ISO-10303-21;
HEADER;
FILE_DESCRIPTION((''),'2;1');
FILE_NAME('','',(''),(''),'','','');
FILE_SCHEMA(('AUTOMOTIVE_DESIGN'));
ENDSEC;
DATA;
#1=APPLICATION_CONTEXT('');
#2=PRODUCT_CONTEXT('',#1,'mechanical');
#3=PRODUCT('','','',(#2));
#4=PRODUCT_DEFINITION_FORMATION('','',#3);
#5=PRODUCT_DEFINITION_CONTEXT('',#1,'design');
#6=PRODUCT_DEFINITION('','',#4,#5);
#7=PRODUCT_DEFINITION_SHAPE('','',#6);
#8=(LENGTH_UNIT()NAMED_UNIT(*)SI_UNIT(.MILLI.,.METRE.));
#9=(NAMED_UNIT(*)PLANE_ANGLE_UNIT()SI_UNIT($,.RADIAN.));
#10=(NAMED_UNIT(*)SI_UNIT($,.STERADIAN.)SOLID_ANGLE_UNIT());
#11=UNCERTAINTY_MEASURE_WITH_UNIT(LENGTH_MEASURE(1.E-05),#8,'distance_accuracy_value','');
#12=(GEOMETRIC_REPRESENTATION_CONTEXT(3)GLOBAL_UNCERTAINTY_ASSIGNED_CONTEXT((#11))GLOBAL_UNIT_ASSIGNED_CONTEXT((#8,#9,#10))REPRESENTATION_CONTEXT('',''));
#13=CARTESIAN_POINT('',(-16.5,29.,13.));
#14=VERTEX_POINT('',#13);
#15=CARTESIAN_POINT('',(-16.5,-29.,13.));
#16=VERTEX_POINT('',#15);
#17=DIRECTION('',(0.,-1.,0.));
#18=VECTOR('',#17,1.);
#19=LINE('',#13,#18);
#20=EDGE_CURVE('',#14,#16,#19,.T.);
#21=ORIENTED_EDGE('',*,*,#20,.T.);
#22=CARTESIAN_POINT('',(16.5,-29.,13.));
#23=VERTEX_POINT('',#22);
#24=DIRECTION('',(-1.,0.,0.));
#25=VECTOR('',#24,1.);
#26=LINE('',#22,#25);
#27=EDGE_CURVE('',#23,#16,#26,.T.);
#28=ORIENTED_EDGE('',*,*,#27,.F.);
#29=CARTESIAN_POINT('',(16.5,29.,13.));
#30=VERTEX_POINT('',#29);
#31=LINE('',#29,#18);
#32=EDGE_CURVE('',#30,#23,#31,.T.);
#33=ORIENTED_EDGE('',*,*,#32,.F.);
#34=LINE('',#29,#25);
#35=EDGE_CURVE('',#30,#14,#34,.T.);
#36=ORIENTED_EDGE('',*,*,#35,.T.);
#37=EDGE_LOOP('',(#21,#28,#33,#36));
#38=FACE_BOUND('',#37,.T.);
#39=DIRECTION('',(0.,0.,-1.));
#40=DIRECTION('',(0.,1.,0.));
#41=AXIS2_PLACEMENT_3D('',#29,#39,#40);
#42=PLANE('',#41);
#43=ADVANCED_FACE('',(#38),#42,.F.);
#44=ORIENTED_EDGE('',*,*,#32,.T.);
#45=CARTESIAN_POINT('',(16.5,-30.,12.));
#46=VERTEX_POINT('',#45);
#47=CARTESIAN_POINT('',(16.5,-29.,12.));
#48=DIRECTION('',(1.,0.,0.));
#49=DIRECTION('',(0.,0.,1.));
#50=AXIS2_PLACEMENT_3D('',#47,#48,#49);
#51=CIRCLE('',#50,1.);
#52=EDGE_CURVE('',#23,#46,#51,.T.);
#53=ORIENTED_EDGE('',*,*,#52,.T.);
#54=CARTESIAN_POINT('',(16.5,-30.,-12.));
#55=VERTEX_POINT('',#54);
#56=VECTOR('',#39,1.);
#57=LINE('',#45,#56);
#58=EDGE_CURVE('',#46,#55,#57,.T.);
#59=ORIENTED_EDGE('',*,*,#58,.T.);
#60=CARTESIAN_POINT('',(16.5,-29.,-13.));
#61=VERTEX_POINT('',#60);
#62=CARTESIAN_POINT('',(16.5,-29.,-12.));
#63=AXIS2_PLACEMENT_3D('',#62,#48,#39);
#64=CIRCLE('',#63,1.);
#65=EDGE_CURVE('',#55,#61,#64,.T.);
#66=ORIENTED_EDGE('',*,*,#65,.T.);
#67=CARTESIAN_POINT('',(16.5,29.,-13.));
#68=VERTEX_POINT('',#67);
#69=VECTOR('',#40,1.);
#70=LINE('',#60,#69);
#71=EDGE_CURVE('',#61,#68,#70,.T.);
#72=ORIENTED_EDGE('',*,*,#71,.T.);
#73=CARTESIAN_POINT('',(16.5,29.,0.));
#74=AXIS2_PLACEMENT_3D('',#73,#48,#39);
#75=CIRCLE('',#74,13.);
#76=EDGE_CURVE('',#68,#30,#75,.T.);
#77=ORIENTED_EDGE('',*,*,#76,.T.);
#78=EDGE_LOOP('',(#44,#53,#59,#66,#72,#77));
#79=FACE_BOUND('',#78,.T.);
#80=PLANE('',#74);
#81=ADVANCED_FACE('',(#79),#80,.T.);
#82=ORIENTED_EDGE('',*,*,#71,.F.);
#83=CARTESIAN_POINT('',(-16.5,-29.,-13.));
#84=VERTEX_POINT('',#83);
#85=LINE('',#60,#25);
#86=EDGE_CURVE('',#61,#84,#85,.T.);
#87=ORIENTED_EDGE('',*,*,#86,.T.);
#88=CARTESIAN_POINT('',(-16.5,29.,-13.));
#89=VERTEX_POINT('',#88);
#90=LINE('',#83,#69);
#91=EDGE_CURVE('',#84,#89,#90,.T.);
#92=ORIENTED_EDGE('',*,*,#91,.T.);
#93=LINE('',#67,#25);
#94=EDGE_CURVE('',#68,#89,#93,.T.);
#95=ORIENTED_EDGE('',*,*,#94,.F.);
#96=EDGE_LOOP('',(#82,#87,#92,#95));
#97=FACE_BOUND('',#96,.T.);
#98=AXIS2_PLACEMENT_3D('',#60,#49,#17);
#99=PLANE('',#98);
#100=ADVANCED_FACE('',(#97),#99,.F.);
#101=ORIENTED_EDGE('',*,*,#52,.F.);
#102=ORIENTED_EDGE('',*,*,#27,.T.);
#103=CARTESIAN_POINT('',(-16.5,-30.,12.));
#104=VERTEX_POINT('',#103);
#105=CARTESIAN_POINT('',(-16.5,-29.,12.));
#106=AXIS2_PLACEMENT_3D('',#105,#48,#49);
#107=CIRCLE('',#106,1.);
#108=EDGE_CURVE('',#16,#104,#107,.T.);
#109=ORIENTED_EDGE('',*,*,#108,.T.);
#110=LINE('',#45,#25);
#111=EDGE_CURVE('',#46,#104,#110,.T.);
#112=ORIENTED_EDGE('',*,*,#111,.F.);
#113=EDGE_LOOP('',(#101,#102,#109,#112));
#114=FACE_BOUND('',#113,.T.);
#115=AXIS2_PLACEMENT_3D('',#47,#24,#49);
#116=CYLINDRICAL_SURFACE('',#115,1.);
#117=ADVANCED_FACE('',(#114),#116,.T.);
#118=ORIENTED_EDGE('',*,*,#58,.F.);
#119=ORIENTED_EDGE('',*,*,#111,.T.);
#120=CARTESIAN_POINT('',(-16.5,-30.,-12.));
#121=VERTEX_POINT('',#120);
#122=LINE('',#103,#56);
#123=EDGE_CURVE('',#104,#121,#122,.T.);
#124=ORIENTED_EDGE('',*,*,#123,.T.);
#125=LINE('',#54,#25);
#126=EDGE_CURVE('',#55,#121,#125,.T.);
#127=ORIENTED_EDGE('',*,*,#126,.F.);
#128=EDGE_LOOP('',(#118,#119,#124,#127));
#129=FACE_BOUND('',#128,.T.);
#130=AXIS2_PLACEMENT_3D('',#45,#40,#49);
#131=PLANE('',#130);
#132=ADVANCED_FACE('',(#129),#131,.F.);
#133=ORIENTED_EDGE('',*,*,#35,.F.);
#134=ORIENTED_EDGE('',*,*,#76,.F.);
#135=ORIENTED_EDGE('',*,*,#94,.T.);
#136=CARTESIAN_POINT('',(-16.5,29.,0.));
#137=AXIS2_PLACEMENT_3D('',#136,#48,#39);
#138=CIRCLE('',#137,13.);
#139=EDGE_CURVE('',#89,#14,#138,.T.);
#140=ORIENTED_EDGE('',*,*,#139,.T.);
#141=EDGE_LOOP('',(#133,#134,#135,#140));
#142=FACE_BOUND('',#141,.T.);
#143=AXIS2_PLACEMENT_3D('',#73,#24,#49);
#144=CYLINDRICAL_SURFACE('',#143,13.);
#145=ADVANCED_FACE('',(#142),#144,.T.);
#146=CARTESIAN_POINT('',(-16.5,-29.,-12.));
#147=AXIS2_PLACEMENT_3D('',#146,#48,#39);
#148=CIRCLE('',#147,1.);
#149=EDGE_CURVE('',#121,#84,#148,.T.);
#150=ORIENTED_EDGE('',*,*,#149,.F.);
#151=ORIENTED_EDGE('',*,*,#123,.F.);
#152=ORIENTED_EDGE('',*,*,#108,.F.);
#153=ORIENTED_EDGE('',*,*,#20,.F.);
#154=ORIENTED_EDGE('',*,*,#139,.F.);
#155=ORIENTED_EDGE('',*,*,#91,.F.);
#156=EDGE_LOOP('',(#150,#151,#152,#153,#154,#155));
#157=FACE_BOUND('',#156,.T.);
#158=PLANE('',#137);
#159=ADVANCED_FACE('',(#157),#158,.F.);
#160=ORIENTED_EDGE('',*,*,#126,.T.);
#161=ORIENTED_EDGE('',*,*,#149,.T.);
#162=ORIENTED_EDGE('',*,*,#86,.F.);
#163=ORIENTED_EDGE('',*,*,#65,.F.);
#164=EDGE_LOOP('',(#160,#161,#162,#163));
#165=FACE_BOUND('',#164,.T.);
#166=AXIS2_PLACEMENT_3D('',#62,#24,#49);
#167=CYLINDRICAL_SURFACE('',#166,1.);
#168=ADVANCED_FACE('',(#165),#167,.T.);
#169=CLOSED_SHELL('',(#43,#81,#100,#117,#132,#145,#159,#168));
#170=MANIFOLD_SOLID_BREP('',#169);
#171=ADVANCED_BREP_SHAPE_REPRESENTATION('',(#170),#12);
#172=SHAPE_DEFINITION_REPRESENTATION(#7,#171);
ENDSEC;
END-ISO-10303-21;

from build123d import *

# Parameters (mm, degrees)
SALIENTE_EXTRUIR4_DEPTH = 16.5


with BuildPart() as part:
    # Croquis1 → Saliente-Extruir4 (new, symmetric)
    with BuildSketch(Plane(origin=(0, 0, 0), x_dir=(0, 0, -1), z_dir=(1, 0, 0))):
        with BuildLine():
            Line((-12, -30), (12, -30))
            ThreePointArc((12, -30), (12.707106781, -29.707106781), (13, -29))
            Line((13, -29), (13, 29))
            ThreePointArc((13, 29), (0, 42), (-13, 29))
            Line((-13, 29), (-13, -29))
            ThreePointArc((-13, -29), (-12.707106781, -29.707106781), (-12, -30))
        make_face()
    extrude(amount=SALIENTE_EXTRUIR4_DEPTH, both=True)


solid = part.part
